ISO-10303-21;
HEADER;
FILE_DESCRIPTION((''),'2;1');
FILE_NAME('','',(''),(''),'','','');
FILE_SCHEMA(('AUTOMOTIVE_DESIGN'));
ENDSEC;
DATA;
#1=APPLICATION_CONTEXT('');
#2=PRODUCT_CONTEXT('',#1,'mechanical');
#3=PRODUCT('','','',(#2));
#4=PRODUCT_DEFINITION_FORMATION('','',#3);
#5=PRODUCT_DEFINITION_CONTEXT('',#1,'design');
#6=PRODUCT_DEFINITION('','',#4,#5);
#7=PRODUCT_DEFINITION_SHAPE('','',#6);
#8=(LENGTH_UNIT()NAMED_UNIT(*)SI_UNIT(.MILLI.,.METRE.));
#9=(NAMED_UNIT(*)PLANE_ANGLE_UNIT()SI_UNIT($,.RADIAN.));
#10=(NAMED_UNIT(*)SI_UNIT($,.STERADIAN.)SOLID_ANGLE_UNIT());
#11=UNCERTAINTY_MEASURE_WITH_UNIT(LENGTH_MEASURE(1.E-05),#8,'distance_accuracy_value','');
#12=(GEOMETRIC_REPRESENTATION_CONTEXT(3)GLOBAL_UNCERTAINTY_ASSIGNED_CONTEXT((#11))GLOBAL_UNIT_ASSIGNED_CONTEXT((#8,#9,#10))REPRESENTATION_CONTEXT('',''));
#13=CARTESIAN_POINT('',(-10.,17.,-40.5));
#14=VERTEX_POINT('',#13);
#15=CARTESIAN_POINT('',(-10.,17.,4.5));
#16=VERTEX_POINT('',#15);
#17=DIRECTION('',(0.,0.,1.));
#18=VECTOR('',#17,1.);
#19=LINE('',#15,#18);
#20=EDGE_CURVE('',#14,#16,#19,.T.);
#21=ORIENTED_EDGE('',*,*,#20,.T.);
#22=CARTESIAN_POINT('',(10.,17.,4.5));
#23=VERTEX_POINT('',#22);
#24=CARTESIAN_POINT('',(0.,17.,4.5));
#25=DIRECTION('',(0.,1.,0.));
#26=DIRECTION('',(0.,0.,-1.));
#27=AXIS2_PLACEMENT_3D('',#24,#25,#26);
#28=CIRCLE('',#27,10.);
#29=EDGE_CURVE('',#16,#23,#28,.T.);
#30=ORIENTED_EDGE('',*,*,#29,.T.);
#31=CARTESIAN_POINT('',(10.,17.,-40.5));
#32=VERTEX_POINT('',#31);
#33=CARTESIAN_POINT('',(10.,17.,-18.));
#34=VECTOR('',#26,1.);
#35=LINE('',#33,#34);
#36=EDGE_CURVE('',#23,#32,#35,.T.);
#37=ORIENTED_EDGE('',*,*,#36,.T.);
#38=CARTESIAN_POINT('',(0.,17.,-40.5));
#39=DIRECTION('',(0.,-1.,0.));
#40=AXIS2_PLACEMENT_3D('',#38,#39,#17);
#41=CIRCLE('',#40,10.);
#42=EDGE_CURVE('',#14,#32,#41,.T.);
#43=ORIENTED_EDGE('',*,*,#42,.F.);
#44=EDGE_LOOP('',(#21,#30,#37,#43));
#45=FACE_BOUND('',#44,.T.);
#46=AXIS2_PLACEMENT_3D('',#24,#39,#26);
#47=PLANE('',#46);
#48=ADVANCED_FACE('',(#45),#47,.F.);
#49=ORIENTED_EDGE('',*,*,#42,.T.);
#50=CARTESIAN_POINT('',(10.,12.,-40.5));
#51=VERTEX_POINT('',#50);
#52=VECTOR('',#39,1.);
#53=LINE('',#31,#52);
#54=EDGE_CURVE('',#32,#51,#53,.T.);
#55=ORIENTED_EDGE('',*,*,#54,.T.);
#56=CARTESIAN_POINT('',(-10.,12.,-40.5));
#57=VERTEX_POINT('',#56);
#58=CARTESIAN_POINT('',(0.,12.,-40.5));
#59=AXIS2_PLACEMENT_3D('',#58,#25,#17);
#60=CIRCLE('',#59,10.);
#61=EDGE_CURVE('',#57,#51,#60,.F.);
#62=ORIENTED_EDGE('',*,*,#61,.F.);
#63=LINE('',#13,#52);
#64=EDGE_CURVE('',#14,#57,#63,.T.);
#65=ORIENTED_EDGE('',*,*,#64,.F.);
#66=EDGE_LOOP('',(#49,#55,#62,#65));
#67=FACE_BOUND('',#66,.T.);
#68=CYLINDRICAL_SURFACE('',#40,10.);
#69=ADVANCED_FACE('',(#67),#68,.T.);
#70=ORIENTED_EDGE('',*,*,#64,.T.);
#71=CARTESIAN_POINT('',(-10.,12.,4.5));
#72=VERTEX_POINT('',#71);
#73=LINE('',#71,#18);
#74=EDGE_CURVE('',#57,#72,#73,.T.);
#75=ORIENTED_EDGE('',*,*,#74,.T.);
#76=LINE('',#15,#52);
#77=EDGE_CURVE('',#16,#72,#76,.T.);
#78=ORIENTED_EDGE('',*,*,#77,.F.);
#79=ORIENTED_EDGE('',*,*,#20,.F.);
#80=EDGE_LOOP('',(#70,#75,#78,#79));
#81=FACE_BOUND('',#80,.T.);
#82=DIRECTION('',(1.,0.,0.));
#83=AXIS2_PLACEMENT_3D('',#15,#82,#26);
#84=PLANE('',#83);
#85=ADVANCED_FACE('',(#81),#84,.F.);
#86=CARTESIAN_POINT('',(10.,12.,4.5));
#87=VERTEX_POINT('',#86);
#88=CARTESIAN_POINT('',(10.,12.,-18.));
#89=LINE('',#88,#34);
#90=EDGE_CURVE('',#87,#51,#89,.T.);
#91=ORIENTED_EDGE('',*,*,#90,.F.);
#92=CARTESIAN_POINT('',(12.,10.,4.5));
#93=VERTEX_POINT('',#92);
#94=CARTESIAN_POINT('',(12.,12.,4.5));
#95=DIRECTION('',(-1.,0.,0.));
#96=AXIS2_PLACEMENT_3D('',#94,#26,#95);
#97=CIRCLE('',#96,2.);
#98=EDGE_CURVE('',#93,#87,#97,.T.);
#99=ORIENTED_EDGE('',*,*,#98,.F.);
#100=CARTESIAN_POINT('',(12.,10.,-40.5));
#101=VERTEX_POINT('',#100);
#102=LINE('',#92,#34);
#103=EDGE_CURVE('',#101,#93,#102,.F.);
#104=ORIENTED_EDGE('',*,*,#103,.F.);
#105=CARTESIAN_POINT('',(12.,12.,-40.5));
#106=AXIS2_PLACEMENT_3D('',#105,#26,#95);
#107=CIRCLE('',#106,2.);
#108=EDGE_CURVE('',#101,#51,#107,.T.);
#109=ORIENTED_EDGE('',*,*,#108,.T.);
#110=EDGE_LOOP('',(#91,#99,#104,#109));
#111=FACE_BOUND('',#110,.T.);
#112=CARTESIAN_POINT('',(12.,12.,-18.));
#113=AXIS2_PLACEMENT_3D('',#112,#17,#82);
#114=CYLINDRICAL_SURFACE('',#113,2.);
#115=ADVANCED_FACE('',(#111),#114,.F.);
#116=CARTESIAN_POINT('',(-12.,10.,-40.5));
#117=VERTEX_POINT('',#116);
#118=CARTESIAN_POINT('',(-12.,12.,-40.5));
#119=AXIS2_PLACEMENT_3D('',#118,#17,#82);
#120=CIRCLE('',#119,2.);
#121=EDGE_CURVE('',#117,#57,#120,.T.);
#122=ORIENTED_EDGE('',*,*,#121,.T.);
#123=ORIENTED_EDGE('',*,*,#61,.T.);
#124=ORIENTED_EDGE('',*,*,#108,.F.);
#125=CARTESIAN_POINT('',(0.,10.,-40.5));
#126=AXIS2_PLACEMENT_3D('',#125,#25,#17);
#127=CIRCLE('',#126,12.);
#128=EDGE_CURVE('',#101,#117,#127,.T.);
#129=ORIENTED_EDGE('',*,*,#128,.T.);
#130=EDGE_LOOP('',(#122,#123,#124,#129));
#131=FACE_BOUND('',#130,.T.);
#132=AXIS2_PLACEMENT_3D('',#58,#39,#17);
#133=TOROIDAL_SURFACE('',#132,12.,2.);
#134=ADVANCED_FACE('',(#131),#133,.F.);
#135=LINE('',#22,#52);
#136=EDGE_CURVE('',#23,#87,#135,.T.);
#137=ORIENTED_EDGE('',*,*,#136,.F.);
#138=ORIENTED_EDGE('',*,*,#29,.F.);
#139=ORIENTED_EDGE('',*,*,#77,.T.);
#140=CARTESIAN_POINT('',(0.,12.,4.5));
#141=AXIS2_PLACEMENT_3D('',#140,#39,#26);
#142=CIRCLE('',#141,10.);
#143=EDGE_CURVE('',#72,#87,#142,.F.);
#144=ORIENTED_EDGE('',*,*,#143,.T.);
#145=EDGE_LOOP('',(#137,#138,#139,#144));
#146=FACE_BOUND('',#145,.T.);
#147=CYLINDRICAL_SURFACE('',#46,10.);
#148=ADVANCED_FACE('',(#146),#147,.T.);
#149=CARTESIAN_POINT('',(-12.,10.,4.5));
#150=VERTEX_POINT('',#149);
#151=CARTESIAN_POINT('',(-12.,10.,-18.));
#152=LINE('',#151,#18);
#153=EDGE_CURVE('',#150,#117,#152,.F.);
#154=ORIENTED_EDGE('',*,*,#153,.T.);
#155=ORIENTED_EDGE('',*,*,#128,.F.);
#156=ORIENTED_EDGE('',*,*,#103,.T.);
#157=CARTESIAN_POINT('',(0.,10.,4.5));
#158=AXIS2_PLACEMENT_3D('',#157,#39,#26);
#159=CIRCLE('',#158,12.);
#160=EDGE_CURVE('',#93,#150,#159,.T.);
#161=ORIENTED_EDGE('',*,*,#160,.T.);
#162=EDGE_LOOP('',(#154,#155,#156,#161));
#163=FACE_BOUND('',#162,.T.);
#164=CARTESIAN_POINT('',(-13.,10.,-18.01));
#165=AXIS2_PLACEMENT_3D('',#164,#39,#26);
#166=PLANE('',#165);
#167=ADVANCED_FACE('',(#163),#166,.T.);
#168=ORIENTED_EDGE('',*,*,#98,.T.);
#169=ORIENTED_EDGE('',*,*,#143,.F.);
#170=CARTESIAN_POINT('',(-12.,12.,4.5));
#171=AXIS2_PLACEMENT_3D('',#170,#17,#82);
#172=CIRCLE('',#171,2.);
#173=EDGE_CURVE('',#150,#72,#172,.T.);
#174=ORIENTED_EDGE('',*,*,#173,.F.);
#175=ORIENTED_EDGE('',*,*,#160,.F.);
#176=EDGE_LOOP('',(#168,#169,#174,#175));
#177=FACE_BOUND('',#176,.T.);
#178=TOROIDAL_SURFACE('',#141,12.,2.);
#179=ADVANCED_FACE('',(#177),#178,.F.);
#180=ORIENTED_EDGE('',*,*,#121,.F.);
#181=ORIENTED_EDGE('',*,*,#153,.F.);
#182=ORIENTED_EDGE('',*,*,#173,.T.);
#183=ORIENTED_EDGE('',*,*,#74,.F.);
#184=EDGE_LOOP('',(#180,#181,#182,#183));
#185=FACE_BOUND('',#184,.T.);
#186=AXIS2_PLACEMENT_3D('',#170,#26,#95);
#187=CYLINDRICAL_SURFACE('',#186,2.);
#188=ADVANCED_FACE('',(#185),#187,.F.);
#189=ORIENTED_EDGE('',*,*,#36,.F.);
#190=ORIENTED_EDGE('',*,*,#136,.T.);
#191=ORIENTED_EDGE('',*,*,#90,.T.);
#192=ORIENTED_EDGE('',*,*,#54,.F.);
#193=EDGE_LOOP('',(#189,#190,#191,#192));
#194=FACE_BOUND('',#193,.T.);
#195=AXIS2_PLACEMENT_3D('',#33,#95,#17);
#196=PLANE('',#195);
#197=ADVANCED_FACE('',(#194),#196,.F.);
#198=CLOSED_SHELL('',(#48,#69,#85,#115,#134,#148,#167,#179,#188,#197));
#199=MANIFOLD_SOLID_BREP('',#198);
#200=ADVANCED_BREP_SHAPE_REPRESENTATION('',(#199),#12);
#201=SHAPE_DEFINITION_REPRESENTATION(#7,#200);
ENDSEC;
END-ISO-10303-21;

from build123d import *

# Parameters (mm, degrees)
SKETCH1_W              = 26
SKETCH1_H              = 36
BOSS_EXTRUDE1_DEPTH    = 10
BOSS_EXTRUDE2_DEPTH    = 7
FILLET1_R              = 2
SPLIT1_SURFACE_1_BACK  = 48.55
SPLIT1_SURFACE_1_DEPTH = 97.1


with BuildPart() as part:
    # Sketch1 → Boss-Extrude1 (new body)
    with BuildSketch(Plane(origin=(0, 0, 0), x_dir=(1, 0, 0), z_dir=(0, 1, 0))):
        Rectangle(SKETCH1_W, SKETCH1_H)
    extrude(amount=BOSS_EXTRUDE1_DEPTH)

    # Sketch2 → Boss-Extrude2 (add)
    with BuildSketch(Plane(origin=(0, 10, 0), x_dir=(1, 0, 0), z_dir=(0, 1, 0))):
        with BuildLine():
            Line((10, 18), (10, -4.5))
            ThreePointArc((10, -4.5), (0, -14.5), (-10, -4.5))
            Line((-10, -4.5), (-10, 18))
            Line((-10, 18), (10, 18))
        make_face()
    extrude(amount=BOSS_EXTRUDE2_DEPTH)

    # Fillet1
    fillet1_edges = [part.edges().sort_by_distance(p)[0] for p in [
        (-10, 10, -6.75),
        (0, 10, 14.5),
        (10, 10, -6.75),
    ]]
    fillet(fillet1_edges, radius=FILLET1_R)

    # Split1: cut with a surface, the side it looks to stays
    # Split1 surface: a surface, the sketch's curves swept straight by 97.1 mm
    with BuildLine(Plane.XY.offset(18).offset(-SPLIT1_SURFACE_1_BACK), mode=Mode.PRIVATE) as split1_surface_1_path:
        Line((-13, 10), (13, 10))
    split1_surface_1 = Shell.extrude(split1_surface_1_path.wire(), (0 * SPLIT1_SURFACE_1_DEPTH, 0 * SPLIT1_SURFACE_1_DEPTH, 1 * SPLIT1_SURFACE_1_DEPTH))
    split(bisect_by=split1_surface_1, keep=Keep.TOP)

    # Mirror1: part across plane


with BuildPart() as part_1:
    add(part.part)
    add(part.part.mirror(Plane(origin=(13, 10, -18), x_dir=(1, 0, 0), z_dir=(0, 0, 1))))


solid = part_1.part
